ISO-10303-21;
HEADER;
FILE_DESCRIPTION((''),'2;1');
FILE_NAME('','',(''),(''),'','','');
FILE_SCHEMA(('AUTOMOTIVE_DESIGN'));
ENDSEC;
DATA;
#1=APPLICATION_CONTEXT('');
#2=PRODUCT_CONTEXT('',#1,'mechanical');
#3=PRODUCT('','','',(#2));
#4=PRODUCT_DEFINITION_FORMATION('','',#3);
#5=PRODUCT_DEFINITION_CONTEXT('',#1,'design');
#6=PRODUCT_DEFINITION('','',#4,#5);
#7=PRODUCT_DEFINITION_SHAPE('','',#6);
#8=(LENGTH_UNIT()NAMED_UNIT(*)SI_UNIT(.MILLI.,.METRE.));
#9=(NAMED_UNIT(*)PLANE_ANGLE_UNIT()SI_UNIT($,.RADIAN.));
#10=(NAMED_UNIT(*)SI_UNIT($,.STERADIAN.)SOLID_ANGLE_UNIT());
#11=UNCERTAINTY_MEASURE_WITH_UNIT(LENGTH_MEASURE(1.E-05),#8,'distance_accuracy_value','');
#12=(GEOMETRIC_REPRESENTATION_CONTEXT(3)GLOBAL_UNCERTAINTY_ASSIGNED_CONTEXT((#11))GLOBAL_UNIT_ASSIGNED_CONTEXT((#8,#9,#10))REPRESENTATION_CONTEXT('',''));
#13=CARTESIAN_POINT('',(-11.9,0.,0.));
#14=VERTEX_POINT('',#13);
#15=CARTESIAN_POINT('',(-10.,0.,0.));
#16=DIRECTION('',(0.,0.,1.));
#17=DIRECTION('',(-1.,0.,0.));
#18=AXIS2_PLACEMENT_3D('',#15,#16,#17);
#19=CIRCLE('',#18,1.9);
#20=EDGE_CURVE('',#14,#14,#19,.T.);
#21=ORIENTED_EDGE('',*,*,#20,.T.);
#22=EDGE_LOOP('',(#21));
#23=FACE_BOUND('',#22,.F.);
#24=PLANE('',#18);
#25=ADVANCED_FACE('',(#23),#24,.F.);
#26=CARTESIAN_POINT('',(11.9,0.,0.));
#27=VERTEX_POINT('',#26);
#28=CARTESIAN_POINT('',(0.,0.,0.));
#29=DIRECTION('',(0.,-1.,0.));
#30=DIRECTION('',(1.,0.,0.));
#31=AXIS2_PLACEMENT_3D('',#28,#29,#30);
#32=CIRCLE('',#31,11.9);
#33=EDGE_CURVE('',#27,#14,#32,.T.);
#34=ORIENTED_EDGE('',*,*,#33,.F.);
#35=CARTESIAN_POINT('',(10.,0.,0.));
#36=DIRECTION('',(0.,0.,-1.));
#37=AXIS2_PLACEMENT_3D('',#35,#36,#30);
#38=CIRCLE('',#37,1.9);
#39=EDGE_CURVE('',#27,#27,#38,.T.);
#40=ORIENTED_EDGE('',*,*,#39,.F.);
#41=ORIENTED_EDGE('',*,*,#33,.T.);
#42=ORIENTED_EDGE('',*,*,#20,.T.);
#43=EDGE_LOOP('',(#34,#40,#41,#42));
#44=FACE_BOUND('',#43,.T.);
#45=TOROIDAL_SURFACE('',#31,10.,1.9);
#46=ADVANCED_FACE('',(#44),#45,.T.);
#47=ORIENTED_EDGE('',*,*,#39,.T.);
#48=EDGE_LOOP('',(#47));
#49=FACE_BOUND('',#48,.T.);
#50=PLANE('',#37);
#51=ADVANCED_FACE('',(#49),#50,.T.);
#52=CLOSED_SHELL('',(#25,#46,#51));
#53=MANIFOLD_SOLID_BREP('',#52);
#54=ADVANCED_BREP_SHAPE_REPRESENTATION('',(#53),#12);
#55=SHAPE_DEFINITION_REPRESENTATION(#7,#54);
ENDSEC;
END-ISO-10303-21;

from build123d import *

# Parameters (mm, degrees)
TORUS_R     = 1.9
TORUS_ANGLE = 180


with BuildPart() as part:
    # Torus → Torus (revolve)
    with BuildSketch(Plane(origin=(0, 0, 0), x_dir=(1, 0, 0), z_dir=(0, 0, -1))):
        with Locations((10, 0)):
            Circle(TORUS_R)
    revolve(axis=Axis((0, 0, 0), (0, -1, 0)), revolution_arc=TORUS_ANGLE)


solid = part.part
